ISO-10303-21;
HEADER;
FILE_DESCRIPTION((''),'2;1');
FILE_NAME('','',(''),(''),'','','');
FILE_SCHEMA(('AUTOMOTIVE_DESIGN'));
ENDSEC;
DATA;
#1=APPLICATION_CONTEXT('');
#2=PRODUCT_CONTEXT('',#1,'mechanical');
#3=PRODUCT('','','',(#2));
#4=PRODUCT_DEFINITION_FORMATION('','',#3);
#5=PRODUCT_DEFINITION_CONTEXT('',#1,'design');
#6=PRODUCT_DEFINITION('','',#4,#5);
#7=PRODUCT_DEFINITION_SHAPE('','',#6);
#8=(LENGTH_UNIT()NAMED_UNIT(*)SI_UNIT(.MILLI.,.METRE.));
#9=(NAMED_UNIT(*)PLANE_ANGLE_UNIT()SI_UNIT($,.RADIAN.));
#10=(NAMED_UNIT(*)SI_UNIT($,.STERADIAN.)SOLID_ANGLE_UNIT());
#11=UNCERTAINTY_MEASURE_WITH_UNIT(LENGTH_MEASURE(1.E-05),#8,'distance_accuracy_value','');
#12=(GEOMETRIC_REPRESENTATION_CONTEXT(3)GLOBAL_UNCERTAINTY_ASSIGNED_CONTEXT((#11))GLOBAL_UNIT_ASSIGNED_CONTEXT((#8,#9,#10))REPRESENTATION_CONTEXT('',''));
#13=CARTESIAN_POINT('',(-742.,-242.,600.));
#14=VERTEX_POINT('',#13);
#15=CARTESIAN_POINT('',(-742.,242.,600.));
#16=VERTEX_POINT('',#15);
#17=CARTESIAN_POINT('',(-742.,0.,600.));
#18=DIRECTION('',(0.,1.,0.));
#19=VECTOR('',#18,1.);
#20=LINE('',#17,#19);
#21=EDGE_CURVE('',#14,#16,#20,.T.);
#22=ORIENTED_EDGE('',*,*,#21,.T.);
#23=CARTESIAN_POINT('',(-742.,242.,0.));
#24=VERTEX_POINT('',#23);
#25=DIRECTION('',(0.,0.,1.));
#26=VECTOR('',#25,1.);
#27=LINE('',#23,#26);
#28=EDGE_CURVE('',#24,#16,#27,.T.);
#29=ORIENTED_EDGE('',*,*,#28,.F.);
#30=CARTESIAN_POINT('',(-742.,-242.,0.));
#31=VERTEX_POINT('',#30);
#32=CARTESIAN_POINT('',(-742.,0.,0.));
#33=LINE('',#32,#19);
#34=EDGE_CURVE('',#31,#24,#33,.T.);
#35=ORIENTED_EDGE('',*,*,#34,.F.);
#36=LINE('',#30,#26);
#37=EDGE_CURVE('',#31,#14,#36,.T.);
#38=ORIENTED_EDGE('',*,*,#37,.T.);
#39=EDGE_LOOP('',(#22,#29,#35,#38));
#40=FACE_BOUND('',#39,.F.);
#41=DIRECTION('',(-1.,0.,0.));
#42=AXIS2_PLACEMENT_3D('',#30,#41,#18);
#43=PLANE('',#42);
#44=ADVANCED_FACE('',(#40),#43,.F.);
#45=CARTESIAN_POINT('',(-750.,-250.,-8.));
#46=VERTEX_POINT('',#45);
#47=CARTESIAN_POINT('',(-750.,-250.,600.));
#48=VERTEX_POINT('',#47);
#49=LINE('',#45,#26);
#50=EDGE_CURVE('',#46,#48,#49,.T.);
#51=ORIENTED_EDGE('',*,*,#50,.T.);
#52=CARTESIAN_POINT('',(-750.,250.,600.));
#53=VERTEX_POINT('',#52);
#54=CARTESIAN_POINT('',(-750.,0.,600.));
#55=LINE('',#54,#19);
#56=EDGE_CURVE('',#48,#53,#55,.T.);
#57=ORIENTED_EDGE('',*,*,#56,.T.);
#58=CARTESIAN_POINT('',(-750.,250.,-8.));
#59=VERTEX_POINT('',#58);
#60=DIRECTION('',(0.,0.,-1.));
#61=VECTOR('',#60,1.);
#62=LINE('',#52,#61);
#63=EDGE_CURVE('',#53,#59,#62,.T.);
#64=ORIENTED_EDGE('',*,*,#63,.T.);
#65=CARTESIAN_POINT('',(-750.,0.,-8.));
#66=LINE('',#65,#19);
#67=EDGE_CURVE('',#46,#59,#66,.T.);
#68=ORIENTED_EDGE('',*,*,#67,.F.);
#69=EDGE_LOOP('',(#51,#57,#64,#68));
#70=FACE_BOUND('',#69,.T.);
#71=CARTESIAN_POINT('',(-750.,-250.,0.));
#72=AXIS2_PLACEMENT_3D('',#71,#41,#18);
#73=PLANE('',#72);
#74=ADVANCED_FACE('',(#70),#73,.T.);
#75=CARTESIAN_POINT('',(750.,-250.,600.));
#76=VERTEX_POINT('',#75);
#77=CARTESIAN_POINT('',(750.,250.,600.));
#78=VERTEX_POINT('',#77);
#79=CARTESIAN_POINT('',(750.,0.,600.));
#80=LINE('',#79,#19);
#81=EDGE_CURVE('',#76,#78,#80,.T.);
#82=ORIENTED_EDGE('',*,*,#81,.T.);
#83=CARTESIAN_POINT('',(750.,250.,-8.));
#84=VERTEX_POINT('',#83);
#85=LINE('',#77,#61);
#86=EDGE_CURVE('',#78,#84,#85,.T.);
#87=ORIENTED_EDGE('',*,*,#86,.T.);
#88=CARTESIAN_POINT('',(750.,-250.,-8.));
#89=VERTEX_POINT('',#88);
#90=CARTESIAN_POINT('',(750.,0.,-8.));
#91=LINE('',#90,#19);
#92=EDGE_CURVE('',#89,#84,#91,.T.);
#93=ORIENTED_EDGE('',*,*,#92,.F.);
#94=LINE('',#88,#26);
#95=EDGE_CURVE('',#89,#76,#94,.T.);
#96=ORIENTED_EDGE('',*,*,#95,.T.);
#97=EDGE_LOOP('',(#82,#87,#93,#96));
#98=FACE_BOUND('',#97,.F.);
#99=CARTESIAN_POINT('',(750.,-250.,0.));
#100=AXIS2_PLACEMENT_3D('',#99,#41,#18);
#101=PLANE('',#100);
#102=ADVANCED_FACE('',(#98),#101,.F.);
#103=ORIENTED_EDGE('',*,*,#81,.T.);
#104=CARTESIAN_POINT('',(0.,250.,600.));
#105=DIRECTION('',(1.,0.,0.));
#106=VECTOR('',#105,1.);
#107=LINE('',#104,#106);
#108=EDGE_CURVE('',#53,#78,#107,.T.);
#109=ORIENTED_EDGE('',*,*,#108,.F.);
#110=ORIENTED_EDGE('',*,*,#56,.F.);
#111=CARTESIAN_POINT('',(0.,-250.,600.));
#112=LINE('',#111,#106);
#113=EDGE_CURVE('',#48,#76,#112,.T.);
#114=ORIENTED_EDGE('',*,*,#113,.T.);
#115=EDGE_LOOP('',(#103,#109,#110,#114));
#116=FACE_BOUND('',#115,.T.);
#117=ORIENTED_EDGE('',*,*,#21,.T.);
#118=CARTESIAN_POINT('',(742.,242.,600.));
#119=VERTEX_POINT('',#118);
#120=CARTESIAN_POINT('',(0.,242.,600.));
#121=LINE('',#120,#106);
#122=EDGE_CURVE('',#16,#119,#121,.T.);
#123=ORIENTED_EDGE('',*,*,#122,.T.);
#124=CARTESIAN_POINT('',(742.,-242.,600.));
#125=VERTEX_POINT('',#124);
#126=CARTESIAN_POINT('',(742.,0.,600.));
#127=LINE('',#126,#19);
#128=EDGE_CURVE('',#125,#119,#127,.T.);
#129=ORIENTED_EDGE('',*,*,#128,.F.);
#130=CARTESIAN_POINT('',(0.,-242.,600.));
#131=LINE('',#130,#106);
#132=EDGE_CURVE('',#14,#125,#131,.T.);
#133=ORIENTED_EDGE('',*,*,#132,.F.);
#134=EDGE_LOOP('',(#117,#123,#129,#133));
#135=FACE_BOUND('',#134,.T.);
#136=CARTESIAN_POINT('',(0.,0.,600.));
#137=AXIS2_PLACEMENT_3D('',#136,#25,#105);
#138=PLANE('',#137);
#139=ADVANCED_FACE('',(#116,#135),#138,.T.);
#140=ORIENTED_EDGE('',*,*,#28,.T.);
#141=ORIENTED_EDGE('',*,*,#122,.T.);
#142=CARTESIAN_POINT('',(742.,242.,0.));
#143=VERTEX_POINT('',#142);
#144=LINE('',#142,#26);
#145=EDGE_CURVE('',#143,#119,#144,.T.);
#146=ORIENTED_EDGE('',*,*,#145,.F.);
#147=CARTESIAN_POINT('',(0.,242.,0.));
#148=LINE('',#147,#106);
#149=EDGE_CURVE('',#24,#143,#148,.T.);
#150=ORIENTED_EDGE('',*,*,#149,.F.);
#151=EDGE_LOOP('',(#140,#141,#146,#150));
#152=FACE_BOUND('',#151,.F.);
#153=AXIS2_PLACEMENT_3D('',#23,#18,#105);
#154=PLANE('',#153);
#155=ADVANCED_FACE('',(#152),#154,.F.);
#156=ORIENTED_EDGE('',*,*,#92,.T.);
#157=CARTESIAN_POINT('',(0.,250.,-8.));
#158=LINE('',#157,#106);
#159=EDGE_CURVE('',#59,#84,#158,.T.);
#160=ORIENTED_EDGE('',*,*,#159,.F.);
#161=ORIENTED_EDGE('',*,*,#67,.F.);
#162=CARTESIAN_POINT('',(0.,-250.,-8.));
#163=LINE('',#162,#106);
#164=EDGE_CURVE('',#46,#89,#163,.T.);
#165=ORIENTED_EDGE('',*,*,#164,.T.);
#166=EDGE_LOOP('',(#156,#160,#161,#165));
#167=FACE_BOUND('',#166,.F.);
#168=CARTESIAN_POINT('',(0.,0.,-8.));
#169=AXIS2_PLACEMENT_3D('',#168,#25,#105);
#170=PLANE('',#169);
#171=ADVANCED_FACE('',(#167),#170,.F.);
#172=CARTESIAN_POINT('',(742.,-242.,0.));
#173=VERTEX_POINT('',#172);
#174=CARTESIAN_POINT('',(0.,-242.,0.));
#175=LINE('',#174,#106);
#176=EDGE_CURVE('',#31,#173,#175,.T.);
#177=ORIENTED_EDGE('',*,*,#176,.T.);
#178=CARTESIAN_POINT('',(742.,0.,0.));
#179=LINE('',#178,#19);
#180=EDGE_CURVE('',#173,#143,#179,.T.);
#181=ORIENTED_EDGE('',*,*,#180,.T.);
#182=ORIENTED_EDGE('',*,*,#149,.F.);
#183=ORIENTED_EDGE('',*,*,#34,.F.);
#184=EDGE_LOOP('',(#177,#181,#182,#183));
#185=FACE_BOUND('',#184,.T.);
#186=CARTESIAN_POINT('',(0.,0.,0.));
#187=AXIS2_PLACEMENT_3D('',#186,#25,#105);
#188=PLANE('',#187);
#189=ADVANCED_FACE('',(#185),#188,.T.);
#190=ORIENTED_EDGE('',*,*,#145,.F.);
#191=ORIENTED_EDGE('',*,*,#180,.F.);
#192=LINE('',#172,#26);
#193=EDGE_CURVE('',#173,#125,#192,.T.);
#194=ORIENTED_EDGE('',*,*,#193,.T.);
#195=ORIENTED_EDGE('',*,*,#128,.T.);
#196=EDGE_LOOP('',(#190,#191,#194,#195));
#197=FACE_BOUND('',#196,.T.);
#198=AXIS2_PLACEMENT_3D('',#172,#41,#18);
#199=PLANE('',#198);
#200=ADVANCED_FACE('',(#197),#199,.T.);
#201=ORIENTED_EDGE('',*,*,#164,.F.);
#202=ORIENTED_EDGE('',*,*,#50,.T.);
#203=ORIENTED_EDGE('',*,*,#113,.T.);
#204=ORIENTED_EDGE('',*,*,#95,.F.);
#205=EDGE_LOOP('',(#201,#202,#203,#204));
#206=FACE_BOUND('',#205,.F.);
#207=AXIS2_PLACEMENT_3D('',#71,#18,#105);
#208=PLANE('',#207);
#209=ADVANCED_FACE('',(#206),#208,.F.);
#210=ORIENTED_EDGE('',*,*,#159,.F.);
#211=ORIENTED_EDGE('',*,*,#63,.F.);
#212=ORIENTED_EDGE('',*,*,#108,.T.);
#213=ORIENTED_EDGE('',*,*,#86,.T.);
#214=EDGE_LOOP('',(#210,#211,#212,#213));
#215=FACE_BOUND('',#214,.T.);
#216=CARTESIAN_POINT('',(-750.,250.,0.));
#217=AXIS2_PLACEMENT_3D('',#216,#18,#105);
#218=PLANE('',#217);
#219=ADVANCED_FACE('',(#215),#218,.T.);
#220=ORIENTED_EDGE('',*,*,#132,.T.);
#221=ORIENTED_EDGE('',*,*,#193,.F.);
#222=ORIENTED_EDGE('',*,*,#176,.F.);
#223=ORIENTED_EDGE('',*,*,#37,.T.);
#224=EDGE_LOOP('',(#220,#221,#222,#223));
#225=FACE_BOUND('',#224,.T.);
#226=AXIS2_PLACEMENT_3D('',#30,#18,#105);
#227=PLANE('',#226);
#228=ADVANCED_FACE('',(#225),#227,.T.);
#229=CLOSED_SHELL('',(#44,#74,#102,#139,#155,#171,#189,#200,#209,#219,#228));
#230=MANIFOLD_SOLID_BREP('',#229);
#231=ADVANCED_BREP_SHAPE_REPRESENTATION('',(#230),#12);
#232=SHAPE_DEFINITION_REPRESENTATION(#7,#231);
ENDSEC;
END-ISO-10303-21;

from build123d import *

# Parameters (mm, degrees)
F0_W     = 1500
F0_H     = 500
F0_W_2   = 1484
F0_H_2   = 484
F1_DEPTH = 8
F2_DEPTH = 600


with BuildPart() as f1:
    # F0 (on Top) → F1 (new body)
    with BuildSketch(Plane.XY):
        Rectangle(F0_W, F0_H)
        Rectangle(F0_W_2, F0_H_2, mode=Mode.SUBTRACT)
        Rectangle(F0_W_2, F0_H_2)
    extrude(amount=-F1_DEPTH)

    # F0 (on Top) → F2 (join)
    with BuildSketch(Plane.XY):
        Rectangle(F0_W, F0_H)
        Rectangle(F0_W_2, F0_H_2, mode=Mode.SUBTRACT)
    extrude(amount=F2_DEPTH)


solid = f1.part
